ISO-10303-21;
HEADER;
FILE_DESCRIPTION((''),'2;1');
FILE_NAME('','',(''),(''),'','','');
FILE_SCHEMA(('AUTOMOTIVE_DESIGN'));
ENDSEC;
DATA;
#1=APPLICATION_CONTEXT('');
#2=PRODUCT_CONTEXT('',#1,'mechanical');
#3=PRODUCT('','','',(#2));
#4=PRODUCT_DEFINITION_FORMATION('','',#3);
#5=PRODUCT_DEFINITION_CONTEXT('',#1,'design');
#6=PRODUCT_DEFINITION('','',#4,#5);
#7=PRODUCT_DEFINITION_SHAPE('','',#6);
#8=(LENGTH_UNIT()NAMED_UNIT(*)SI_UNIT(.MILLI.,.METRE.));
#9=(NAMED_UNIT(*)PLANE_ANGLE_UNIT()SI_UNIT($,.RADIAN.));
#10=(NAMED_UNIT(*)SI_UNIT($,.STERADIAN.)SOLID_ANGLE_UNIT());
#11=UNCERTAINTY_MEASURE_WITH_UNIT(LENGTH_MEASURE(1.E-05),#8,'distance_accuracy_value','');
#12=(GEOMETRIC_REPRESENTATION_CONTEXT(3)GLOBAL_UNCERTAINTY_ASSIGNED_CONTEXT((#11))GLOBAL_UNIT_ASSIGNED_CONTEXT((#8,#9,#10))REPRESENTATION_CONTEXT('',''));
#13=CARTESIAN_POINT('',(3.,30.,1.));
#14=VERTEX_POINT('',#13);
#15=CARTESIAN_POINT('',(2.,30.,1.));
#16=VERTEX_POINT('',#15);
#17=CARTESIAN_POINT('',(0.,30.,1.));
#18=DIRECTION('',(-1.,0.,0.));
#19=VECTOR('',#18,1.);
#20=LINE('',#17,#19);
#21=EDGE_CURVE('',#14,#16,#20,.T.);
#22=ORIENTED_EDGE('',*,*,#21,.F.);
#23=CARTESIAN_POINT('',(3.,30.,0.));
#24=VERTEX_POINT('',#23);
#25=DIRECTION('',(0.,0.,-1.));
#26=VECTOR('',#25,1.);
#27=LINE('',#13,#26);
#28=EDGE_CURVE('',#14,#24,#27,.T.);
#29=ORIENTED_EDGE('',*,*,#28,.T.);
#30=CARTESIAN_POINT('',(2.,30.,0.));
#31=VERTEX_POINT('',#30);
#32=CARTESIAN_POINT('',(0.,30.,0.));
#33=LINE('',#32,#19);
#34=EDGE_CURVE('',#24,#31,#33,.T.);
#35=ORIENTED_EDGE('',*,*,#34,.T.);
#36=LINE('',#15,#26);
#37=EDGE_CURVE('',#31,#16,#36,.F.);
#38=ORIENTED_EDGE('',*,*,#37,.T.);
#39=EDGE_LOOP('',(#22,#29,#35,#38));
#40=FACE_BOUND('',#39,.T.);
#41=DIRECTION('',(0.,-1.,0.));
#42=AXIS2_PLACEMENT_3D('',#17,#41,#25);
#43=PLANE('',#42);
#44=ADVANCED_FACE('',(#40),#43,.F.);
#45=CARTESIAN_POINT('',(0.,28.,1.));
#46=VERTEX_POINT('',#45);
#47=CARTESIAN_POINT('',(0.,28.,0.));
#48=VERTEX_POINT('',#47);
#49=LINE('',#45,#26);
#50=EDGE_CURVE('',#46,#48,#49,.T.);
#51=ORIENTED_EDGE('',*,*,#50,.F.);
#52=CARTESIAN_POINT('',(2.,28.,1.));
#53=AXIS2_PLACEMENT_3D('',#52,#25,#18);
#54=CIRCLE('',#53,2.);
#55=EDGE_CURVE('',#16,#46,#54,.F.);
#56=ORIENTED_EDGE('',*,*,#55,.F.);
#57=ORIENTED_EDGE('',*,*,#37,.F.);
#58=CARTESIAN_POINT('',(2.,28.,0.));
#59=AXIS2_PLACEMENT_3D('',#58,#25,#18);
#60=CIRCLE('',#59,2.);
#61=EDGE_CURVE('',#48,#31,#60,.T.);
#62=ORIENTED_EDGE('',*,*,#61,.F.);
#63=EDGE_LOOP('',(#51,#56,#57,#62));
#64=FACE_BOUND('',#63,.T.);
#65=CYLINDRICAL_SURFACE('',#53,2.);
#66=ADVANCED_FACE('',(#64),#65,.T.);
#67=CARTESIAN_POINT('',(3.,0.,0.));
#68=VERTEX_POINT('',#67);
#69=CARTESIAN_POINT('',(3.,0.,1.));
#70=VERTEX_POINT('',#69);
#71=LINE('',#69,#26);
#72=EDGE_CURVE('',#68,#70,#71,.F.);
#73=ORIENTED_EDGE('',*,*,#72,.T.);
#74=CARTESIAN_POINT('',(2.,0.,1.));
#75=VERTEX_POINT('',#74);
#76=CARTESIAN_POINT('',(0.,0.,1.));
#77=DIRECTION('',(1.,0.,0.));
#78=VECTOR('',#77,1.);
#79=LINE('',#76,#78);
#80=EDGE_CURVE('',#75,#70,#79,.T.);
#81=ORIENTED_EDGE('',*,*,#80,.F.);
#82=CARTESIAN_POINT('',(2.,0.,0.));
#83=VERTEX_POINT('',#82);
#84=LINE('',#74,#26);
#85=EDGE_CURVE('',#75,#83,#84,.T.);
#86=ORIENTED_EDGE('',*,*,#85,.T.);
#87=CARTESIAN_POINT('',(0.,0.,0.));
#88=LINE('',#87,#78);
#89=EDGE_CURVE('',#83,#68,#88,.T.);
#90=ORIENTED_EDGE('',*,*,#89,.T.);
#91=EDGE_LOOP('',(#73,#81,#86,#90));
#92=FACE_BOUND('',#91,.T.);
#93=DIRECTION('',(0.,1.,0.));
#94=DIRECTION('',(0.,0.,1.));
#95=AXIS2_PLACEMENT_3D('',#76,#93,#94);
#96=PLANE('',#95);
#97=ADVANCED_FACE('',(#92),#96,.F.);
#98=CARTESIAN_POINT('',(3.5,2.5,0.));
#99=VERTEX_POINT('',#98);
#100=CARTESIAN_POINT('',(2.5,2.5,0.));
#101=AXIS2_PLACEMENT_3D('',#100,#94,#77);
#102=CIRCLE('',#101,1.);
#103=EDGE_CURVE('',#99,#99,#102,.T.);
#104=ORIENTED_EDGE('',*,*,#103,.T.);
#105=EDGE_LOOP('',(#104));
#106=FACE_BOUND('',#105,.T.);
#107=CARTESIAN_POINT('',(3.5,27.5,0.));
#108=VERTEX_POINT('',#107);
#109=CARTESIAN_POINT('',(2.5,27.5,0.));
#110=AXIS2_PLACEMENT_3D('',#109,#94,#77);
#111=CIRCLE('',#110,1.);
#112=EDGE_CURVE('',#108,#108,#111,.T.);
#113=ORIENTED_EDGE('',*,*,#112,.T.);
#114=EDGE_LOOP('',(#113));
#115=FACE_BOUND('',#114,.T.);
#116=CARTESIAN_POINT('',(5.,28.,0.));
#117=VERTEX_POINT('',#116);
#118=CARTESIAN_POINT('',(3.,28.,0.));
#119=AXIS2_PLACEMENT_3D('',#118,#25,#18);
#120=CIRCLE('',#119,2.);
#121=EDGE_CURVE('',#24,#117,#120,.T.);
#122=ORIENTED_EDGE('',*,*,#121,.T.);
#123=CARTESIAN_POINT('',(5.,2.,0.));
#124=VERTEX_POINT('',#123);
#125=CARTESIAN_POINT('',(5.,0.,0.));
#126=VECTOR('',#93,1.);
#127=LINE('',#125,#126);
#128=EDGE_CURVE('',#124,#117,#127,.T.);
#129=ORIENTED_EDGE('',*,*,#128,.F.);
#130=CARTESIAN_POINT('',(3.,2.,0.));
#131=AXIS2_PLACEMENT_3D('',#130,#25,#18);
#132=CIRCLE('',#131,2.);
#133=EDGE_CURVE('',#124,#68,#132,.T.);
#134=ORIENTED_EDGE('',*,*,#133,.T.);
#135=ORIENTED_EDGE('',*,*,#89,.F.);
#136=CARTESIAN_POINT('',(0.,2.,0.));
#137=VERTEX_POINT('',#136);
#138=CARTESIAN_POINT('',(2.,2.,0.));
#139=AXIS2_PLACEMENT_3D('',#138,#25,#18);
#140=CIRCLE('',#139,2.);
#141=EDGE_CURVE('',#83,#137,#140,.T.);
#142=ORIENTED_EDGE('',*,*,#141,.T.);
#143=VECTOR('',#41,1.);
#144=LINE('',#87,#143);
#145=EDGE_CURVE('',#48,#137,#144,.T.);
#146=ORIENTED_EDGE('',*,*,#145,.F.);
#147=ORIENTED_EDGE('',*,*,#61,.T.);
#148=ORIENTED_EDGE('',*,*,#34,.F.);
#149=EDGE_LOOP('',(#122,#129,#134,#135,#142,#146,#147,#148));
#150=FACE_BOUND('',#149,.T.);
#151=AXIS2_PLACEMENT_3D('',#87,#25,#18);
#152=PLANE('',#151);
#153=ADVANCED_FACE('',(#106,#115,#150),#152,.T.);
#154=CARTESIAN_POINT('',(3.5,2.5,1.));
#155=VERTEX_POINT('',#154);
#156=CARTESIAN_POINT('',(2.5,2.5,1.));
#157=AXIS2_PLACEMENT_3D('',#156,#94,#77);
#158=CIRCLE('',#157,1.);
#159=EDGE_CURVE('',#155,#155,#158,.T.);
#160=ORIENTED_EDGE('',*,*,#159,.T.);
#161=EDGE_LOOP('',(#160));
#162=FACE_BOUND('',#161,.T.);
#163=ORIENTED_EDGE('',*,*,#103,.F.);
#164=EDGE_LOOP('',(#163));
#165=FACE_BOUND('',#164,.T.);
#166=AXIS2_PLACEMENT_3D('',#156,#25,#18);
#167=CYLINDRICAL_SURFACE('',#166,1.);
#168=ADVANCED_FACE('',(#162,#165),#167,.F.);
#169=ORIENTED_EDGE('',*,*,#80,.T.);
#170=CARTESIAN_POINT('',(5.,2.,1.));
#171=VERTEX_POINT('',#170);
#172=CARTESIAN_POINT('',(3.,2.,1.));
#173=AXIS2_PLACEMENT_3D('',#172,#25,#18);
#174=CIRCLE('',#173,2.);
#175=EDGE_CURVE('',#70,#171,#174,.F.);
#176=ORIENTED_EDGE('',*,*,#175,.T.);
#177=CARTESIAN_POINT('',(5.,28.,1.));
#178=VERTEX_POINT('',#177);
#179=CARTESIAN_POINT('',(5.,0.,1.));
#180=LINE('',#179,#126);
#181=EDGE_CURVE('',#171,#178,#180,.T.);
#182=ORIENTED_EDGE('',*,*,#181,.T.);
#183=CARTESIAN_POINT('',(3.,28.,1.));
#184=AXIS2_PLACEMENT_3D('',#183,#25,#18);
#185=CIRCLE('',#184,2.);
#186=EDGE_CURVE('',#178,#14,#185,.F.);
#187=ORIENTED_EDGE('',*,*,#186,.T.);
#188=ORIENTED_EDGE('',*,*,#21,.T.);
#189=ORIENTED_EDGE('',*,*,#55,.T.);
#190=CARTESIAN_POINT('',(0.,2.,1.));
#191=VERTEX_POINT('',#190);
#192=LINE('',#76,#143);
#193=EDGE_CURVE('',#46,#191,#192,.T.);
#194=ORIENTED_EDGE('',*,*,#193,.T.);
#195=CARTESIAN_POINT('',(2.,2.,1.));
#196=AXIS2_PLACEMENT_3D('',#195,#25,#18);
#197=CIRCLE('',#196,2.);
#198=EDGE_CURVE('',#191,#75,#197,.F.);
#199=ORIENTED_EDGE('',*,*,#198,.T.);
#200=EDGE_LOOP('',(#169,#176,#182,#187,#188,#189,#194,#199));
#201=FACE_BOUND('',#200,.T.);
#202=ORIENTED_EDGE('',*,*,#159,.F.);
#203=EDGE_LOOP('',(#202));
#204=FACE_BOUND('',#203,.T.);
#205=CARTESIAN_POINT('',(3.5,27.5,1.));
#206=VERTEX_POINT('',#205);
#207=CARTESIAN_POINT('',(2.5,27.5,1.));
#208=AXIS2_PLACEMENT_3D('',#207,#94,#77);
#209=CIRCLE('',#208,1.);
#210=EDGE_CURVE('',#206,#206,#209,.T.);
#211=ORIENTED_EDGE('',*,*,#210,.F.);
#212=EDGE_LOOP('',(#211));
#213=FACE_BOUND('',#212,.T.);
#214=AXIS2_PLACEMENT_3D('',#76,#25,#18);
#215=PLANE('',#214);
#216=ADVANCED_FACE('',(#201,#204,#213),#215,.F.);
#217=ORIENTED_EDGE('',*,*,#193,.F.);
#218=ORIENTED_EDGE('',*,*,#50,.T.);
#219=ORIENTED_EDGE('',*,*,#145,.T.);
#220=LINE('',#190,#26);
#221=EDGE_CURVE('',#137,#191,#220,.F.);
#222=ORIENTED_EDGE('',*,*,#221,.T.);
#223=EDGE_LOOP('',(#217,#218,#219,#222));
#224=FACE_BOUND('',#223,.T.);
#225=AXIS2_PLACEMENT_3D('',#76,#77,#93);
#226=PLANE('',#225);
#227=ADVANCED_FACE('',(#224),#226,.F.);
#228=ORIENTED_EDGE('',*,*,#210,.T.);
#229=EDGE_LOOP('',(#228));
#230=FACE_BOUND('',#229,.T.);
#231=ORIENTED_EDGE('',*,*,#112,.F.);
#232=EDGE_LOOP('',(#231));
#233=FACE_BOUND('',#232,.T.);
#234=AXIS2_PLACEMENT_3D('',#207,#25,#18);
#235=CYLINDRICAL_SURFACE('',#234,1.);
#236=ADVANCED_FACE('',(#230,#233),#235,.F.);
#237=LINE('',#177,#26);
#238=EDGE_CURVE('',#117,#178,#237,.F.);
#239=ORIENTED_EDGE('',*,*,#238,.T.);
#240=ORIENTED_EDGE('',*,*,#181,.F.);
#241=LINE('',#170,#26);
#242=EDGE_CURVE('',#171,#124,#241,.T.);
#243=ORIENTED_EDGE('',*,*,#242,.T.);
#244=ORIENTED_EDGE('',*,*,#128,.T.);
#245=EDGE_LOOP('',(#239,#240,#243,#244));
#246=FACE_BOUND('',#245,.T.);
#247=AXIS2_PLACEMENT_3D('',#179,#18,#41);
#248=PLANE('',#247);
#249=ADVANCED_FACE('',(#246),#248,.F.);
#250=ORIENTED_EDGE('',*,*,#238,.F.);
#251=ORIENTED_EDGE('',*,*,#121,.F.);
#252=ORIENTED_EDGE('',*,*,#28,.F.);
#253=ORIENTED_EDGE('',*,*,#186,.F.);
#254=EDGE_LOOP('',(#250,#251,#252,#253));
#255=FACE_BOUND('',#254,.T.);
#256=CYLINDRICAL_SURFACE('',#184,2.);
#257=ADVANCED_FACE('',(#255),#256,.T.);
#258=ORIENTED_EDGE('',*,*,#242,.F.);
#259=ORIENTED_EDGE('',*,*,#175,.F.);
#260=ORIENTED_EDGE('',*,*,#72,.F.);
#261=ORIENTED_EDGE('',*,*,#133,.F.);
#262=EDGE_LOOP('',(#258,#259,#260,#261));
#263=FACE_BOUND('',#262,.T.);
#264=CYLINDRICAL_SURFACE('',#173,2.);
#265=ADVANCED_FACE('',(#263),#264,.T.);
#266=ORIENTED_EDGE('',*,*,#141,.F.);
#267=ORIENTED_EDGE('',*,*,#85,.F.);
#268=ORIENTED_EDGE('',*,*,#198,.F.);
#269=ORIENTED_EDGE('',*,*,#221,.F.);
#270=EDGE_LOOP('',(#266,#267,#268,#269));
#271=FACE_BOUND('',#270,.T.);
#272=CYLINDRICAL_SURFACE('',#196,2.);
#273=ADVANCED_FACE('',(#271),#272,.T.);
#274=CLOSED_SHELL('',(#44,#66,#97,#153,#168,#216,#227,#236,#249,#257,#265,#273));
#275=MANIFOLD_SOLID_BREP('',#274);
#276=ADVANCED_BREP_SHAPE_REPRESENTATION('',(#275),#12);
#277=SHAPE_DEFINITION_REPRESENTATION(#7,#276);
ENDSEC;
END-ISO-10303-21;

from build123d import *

# Parameters (mm, degrees)
SKETCH1_W           = 5
SKETCH1_H           = 30
SKETCH1_R           = 1
BOSS_EXTRUDE1_DEPTH = 1
FILLET5_R           = 2
FILLET6_R           = 2
FILLET7_R           = 2
FILLET8_R           = 2


with BuildPart() as part:
    # Sketch1 → Boss-Extrude1 (new body)
    with BuildSketch(Plane.XY):
        with Locations((2.5, 15)):
            Rectangle(SKETCH1_W, SKETCH1_H)
        with Locations((2.5, 2.5)):
            Circle(SKETCH1_R, mode=Mode.SUBTRACT)
        with Locations((2.5, 27.5)):
            Circle(SKETCH1_R, mode=Mode.SUBTRACT)
    extrude(amount=BOSS_EXTRUDE1_DEPTH)

    # Fillet5
    fillet5_edges = [part.edges().sort_by_distance(p)[0] for p in [
        (5, 0, 0.5),
    ]]
    fillet(fillet5_edges, radius=FILLET5_R)

    # Fillet6
    fillet6_edges = [part.edges().sort_by_distance(p)[0] for p in [
        (0, 0, 0.5),
    ]]
    fillet(fillet6_edges, radius=FILLET6_R)

    # Fillet7
    fillet7_edges = [part.edges().sort_by_distance(p)[0] for p in [
        (0, 30, 0.5),
    ]]
    fillet(fillet7_edges, radius=FILLET7_R)

    # Fillet8
    fillet8_edges = [part.edges().sort_by_distance(p)[0] for p in [
        (5, 30, 0.5),
    ]]
    fillet(fillet8_edges, radius=FILLET8_R)


solid = part.part
